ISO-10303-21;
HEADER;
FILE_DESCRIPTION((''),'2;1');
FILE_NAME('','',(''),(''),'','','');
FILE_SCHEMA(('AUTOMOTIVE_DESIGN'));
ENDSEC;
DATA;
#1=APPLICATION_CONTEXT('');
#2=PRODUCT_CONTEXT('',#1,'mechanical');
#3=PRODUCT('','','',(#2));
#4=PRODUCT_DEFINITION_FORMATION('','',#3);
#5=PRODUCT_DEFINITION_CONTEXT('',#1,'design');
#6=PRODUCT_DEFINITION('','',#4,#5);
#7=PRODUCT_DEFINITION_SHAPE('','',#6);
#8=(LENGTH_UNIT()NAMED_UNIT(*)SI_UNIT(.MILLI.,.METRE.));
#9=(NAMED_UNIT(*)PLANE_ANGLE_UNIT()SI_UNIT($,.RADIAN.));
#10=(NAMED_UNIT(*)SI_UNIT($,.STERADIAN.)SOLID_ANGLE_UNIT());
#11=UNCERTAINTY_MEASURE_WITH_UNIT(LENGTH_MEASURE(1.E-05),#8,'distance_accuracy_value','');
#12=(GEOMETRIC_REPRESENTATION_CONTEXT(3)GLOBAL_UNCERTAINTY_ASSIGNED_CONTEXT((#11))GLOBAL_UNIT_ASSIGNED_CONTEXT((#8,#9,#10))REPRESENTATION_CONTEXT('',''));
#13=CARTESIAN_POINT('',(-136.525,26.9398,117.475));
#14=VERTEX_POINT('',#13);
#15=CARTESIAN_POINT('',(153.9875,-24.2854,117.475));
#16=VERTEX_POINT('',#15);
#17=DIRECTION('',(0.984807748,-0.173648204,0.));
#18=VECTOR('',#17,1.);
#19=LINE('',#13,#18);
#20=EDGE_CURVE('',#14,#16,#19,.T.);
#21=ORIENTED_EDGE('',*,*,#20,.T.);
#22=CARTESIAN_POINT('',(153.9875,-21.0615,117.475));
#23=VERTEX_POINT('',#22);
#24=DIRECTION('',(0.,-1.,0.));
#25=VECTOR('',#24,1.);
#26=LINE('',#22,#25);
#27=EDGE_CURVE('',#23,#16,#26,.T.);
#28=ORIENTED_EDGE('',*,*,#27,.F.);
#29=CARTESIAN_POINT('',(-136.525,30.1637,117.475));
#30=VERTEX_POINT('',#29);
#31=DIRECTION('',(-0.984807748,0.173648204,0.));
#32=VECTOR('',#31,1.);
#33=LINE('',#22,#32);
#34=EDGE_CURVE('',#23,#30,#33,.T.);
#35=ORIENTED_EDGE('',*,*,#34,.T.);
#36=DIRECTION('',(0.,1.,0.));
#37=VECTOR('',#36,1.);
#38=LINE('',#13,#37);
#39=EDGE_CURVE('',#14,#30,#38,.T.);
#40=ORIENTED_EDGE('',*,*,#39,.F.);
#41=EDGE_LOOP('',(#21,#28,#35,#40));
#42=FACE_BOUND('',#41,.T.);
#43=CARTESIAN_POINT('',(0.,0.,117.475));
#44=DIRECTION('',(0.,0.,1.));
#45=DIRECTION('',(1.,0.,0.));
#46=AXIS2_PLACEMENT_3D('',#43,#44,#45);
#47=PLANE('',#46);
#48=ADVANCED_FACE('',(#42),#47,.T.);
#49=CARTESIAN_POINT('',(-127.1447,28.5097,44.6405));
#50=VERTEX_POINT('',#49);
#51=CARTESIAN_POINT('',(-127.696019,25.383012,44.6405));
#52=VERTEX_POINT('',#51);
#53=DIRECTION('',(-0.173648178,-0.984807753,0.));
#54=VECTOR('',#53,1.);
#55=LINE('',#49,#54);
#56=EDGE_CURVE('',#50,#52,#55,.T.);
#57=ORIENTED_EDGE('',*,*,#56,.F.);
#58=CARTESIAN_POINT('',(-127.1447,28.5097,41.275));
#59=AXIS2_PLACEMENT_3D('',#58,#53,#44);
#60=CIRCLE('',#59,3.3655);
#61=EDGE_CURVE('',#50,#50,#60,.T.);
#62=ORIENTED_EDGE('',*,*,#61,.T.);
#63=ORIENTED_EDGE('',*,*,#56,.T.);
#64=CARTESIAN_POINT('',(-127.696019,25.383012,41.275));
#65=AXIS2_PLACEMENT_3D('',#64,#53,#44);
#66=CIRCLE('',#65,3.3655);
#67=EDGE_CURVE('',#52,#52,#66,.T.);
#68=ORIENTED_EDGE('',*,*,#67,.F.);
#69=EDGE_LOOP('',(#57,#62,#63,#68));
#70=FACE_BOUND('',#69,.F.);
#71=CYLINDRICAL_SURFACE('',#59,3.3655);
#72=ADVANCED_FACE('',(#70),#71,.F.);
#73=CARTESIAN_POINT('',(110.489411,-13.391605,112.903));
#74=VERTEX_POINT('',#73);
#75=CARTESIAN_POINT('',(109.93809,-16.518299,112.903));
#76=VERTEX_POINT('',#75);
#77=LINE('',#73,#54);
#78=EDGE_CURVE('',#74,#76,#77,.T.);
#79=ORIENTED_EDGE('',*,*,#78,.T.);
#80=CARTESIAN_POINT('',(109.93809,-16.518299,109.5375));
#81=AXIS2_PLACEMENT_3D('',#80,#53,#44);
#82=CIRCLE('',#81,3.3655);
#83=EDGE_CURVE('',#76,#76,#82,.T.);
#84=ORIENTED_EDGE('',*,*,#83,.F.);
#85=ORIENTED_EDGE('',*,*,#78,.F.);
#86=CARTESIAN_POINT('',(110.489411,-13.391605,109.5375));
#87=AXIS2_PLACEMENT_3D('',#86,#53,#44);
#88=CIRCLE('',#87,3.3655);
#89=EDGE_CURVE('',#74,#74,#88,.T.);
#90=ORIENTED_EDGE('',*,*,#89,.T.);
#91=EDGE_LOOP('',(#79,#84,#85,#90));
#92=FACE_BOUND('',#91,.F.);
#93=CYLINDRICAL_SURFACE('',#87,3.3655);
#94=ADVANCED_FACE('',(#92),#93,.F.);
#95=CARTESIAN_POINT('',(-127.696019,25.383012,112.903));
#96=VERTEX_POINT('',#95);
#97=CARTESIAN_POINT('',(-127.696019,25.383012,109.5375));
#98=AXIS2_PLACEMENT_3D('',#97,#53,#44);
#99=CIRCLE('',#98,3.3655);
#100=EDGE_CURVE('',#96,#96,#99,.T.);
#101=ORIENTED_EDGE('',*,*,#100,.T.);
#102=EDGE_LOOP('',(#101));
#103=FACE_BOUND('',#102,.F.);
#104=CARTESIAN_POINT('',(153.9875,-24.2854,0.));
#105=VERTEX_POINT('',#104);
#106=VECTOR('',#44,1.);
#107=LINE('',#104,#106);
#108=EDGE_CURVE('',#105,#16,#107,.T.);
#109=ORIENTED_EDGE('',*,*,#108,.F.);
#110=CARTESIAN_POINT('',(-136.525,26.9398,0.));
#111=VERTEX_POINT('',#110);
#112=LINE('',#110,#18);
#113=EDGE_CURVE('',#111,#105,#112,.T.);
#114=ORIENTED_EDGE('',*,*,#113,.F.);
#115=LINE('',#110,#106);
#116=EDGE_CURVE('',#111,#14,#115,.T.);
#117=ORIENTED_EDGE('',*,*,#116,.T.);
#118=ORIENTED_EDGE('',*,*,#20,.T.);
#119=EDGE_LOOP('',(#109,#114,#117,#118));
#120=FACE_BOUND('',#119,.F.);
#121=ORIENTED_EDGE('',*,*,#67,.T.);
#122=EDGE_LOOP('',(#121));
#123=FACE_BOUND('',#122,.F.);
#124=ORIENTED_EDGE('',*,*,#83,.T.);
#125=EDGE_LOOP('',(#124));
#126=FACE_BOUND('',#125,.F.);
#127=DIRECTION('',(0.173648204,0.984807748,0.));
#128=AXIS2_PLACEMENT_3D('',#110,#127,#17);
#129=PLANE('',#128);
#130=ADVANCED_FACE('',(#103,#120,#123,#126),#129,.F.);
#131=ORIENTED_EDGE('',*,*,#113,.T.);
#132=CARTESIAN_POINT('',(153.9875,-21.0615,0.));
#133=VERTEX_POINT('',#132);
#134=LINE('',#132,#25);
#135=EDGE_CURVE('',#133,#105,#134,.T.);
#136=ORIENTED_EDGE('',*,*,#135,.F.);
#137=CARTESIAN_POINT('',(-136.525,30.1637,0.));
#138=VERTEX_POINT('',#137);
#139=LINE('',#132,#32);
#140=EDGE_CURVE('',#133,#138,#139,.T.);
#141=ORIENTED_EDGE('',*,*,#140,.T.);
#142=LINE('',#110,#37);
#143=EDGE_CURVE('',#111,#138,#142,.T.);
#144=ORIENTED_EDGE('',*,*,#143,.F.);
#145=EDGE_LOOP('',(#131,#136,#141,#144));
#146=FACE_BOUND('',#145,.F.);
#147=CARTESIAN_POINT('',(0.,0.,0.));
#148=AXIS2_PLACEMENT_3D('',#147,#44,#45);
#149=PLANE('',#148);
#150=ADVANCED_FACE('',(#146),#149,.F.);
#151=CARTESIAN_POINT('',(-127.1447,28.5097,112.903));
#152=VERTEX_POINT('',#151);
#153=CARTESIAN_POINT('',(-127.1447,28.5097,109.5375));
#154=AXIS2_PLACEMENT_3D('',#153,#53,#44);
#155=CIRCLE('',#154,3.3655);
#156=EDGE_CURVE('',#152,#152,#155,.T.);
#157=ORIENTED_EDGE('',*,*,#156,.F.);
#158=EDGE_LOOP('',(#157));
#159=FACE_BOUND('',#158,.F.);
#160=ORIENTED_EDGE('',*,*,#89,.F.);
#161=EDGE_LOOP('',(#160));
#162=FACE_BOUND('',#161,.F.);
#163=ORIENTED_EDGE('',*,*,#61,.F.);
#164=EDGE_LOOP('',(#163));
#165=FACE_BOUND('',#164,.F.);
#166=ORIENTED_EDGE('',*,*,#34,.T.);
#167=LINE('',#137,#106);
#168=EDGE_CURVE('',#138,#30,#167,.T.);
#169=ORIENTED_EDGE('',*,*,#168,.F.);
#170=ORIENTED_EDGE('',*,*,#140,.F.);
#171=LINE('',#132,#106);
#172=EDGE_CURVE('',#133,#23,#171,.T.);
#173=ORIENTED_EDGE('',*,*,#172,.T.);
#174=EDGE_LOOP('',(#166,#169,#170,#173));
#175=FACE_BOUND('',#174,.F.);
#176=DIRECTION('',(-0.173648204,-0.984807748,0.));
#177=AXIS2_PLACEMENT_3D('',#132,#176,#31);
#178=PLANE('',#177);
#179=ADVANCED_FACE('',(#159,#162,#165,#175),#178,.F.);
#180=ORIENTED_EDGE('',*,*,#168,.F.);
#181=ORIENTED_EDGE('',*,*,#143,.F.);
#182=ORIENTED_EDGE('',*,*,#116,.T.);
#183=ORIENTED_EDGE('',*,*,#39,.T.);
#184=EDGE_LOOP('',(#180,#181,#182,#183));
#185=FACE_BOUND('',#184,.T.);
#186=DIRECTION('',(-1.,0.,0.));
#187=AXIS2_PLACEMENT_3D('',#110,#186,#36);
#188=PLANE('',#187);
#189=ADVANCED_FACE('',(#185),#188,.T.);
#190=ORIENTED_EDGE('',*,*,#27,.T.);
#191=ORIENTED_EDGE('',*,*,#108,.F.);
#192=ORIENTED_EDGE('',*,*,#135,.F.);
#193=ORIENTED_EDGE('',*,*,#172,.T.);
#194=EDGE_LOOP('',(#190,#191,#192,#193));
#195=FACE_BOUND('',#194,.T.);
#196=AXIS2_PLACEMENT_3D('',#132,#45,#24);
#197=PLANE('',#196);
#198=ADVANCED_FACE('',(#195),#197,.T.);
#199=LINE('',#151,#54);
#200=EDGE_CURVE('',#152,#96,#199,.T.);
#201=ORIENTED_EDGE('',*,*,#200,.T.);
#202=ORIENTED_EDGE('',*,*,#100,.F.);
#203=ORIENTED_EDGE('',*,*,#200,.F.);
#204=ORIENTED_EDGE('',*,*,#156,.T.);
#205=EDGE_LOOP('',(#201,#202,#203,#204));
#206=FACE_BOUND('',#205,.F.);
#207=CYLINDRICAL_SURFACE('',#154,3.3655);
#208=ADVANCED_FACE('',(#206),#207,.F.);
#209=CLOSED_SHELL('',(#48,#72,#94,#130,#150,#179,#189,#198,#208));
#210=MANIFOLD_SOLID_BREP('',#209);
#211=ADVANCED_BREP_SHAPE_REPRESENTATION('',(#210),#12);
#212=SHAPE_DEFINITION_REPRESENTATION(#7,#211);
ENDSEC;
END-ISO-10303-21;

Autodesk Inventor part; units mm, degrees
ref_plane "YZ Plane" through (0, 0, 0) normal (1, 0, 0) x (0, 1, 0)
ref_plane "XZ Plane" through (0, 0, 0) normal (0, 1, 0) x (-1, 0, 0)
ref_plane "XY Plane" through (0, 0, 0) normal (0, 0, 1) x (1, 0, 0)
sketch "Sketch1" plane through (0, 0, 0) normal (0, 0, 1) x (1, 0, 0)
  line L0 (-136.525, 26.9398) -> (153.9875, -24.2854) projected
  line L1 (153.9875, -21.0615) -> (153.9875, -24.2854) projected
  line L2 (153.9875, -21.0615) -> (-136.525, 30.1637) projected
  line L3 (-136.525, 26.9398) -> (-136.525, 30.1637) projected
  point P0 (0, 0)
extrude "Extrusion1" add sketch "Sketch1" along normal blind 117.475
hole "Hole1" at (-127.1447, 28.5097, 109.5375) direction (-0.1736, -0.9848, 0) diameter 6.731 depth 25.4 tip angle 118
pattern_linear "Rectangular Pattern1" count 2 spacing 68.2625 along (0, 0, -1) of "Hole1"
pattern_linear "Rectangular Pattern2" count 2 spacing 241.3 along (0.9848, -0.1736, 0) of "Hole1"
properties part number "GE-12086-03"
